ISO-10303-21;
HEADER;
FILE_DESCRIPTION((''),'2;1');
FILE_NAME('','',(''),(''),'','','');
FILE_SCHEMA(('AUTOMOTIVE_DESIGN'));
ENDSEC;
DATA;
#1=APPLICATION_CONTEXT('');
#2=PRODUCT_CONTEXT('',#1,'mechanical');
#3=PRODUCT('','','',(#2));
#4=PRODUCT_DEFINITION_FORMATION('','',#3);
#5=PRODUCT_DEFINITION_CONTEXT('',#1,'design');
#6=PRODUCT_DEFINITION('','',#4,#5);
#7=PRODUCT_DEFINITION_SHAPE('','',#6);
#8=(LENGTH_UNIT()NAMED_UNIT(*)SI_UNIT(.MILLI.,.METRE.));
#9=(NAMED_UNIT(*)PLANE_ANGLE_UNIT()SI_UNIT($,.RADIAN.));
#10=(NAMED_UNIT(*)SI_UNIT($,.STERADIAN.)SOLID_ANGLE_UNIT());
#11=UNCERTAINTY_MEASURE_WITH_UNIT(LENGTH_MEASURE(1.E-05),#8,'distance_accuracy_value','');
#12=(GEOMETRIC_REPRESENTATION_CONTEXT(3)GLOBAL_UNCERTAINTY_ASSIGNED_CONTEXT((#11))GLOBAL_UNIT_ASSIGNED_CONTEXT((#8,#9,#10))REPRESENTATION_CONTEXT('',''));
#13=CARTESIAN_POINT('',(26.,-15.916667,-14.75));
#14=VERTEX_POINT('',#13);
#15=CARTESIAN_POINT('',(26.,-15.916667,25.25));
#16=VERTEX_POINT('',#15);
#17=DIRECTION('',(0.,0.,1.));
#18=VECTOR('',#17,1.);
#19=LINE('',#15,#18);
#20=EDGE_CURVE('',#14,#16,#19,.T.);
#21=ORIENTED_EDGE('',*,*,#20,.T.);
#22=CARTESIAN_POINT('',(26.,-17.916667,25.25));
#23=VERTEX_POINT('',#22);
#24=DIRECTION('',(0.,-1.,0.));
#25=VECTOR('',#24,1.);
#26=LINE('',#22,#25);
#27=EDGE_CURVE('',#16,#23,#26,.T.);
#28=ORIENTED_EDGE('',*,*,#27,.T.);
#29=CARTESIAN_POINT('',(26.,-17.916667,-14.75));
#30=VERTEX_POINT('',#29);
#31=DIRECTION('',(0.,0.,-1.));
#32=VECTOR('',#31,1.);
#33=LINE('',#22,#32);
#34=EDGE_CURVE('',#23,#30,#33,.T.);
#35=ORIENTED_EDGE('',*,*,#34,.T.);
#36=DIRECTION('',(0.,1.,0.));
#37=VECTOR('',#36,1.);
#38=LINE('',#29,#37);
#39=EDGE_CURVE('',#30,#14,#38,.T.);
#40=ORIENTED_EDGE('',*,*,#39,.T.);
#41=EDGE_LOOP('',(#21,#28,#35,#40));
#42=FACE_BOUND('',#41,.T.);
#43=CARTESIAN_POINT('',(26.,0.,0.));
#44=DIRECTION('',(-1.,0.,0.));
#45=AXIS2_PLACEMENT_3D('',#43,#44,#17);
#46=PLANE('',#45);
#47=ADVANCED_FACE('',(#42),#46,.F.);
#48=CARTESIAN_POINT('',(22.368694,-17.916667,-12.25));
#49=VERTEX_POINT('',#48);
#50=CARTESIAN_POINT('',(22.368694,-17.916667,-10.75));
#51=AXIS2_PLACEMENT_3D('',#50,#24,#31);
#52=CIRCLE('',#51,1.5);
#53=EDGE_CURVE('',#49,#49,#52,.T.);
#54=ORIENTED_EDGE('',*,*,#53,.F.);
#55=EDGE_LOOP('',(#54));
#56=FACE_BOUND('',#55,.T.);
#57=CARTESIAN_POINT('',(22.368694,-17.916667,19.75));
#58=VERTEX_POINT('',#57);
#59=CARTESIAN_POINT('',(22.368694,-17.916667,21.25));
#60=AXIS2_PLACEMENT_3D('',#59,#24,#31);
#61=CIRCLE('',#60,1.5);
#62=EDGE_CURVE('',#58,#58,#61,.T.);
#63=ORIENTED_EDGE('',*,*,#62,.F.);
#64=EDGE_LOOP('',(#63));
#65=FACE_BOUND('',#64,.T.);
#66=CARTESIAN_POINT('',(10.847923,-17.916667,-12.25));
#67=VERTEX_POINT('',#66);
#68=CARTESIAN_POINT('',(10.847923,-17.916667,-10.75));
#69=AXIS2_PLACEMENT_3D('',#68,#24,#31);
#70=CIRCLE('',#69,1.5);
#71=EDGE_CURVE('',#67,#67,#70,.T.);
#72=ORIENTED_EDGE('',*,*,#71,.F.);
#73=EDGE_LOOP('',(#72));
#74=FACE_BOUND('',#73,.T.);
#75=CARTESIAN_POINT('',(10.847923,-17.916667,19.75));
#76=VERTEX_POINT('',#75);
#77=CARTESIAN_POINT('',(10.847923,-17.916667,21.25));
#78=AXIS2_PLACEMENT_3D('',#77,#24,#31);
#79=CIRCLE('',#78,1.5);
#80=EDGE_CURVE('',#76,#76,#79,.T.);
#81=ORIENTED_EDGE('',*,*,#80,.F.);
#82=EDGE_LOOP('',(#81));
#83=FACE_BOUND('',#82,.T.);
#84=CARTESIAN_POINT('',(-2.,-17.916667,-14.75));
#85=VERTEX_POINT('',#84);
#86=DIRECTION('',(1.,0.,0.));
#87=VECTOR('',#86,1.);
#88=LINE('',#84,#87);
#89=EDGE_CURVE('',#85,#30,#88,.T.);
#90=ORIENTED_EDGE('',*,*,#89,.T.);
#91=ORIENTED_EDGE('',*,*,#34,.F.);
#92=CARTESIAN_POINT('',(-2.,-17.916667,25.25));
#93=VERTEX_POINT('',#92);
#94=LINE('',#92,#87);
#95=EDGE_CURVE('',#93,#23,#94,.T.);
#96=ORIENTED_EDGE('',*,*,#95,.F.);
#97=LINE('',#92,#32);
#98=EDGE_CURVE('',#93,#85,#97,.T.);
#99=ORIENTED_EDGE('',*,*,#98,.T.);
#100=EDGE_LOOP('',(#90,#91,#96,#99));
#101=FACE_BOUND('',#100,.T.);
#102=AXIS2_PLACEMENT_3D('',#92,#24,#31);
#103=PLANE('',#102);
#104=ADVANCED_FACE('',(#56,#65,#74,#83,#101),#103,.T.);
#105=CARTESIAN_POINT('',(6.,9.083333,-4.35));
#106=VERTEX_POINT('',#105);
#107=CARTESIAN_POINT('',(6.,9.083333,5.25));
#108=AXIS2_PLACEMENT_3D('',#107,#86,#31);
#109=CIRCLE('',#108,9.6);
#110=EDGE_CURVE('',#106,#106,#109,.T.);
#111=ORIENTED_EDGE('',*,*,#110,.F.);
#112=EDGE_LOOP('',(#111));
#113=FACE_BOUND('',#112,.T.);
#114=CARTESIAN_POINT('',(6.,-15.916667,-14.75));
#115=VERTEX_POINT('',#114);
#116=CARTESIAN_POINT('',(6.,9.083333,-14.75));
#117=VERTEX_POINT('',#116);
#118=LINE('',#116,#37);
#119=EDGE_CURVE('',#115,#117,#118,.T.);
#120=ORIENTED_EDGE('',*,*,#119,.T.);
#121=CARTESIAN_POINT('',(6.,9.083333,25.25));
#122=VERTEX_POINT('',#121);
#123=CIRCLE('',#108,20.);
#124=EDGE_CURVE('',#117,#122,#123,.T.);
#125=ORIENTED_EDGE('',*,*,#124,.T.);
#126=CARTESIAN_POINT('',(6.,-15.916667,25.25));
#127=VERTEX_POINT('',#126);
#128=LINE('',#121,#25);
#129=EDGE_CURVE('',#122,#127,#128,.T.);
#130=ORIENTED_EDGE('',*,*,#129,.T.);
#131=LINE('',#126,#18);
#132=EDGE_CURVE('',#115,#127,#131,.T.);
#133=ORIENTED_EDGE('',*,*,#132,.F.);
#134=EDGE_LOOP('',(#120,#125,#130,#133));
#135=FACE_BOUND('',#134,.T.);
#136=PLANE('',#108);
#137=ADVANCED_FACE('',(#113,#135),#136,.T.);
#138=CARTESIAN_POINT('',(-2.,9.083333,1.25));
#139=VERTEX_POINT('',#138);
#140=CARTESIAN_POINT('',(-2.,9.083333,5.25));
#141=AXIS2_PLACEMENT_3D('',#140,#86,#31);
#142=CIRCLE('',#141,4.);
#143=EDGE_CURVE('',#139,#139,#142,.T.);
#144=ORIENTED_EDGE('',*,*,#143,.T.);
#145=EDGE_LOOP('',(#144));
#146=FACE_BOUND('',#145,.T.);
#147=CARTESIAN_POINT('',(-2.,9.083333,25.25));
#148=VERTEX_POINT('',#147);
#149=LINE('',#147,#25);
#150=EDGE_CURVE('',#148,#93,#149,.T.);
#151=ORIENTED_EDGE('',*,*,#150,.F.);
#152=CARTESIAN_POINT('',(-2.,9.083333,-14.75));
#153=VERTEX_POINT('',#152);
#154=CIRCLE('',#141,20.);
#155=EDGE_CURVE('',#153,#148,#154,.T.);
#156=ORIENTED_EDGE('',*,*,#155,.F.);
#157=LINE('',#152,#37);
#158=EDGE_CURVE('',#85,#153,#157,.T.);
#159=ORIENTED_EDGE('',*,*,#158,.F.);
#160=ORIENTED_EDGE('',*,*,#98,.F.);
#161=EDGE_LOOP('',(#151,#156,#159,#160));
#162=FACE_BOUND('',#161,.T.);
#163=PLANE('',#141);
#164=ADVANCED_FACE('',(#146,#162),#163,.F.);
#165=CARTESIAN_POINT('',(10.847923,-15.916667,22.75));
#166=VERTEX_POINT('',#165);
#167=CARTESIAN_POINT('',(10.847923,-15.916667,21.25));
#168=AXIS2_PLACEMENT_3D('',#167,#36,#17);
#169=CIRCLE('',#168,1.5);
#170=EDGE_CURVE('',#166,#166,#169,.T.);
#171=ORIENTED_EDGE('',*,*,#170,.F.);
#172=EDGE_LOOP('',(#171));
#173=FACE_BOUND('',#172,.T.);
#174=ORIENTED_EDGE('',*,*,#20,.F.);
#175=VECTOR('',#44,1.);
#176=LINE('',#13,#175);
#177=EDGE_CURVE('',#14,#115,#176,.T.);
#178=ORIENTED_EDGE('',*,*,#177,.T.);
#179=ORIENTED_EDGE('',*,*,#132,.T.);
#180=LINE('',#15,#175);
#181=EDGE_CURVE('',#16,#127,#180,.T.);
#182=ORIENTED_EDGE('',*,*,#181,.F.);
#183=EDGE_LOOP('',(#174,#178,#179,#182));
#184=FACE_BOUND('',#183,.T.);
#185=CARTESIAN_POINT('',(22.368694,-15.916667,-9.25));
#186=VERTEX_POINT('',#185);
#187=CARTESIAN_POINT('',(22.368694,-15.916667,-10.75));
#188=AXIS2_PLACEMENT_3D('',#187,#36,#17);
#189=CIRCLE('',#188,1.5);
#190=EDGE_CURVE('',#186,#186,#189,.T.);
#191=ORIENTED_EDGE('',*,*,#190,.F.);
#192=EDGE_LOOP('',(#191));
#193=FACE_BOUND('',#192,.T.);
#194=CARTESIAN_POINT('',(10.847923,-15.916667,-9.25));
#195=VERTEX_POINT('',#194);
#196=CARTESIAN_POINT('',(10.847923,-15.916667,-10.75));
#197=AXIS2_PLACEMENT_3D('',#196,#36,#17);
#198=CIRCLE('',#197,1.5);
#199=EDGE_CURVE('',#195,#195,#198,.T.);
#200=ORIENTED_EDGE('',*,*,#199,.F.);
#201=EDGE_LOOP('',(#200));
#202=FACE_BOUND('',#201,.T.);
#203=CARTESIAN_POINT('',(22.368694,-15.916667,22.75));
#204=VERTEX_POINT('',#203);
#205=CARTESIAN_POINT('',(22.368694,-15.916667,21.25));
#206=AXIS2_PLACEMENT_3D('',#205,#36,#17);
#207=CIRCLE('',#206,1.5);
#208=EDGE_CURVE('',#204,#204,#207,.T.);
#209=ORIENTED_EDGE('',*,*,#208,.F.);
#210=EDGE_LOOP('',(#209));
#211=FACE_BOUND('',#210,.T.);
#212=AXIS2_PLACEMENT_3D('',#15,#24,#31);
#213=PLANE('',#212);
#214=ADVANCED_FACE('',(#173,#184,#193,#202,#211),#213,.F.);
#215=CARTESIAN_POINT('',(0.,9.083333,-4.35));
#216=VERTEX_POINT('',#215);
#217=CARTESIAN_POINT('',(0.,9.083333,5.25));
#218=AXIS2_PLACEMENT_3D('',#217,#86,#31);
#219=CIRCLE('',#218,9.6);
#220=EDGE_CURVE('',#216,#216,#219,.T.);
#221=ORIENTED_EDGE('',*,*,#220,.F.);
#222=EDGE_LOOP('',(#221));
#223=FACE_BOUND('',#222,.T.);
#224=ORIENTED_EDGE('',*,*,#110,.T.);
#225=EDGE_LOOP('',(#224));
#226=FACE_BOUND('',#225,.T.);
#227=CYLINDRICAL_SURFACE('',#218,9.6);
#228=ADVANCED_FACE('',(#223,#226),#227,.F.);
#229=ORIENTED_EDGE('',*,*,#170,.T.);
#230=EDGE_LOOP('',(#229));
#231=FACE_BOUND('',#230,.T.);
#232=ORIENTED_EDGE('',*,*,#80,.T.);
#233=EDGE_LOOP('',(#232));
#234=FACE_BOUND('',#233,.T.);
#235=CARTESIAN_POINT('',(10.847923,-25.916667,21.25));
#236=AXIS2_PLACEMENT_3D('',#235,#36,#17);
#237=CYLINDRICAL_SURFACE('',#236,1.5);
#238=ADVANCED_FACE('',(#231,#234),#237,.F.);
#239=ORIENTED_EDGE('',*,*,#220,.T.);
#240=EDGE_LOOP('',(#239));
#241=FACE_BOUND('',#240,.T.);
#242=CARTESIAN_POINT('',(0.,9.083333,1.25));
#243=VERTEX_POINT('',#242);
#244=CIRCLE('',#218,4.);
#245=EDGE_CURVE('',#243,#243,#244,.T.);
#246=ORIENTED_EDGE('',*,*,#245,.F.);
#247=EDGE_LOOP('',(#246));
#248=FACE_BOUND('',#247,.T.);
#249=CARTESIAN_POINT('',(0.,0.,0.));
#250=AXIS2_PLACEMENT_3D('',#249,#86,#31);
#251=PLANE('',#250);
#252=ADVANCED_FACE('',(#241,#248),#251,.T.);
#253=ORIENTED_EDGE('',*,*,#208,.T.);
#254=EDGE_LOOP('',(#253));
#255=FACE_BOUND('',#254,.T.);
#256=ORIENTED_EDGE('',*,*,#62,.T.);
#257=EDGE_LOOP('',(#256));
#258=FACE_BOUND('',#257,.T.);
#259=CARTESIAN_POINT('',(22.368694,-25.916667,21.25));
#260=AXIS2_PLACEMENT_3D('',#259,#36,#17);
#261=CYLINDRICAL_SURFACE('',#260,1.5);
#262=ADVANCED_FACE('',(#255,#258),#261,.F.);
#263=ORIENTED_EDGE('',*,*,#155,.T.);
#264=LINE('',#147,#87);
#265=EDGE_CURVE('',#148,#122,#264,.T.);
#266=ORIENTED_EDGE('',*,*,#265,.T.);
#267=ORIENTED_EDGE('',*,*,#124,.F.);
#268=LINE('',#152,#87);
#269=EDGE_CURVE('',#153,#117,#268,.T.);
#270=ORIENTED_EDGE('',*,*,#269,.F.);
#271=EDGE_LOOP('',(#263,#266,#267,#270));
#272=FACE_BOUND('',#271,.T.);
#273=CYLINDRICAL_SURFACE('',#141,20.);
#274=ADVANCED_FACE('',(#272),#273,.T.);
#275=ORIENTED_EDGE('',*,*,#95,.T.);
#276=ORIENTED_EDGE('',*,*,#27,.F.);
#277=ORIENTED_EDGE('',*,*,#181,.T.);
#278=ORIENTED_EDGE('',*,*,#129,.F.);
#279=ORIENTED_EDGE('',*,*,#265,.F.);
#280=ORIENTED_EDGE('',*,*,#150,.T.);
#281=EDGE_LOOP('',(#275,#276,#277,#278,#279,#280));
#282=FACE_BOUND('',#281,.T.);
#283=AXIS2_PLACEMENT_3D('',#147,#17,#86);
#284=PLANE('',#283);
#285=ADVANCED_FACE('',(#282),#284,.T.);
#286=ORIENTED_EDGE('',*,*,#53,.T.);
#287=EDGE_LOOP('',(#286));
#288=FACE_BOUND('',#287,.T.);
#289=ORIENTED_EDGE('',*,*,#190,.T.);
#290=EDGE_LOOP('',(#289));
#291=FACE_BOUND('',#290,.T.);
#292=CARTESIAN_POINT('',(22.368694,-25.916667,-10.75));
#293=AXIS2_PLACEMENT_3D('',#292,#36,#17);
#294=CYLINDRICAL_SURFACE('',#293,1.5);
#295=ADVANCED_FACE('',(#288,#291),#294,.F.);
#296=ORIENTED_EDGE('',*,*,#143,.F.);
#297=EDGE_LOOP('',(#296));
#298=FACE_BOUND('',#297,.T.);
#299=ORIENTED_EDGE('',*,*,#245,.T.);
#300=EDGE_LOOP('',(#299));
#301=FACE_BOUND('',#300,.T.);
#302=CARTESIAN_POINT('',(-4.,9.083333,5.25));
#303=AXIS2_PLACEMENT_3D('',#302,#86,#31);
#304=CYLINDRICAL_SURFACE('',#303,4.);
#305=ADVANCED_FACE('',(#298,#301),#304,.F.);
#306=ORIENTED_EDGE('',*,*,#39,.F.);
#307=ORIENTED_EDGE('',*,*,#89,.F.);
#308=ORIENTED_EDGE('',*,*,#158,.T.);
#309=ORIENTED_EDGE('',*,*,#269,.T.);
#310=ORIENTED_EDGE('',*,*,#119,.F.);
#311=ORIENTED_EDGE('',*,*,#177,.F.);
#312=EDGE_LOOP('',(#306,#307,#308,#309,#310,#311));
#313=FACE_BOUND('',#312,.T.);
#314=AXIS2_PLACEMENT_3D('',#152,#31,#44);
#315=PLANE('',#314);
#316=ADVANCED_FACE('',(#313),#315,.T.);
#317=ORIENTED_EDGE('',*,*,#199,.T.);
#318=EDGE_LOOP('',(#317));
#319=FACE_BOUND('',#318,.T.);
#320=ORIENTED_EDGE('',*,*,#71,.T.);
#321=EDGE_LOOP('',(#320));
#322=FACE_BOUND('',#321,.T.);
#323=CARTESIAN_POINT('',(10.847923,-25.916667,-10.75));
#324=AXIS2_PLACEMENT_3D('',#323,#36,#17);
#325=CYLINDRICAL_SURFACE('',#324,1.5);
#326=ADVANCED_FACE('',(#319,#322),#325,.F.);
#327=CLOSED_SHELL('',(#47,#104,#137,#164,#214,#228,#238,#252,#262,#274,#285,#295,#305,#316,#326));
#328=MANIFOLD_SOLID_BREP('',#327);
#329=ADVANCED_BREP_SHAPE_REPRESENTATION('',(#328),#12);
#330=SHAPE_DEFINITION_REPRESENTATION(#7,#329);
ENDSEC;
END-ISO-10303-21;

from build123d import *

# Parameters (mm, degrees)
BOSS_EXTRUDE1_DEPTH      = 6
BOSS_EXTRUDE1_DEPTH_BACK = 2
CUT_EXTRUDE1_DEPTH       = 6
SKETCH3_R                = 4
CUT_EXTRUDE2_DEPTH       = 10
SKETCH4_W                = 40
SKETCH4_H                = 2
BOSS_EXTRUDE2_DEPTH      = 20
SKETCH5_R                = 1.5
CUT_EXTRUDE3_DEPTH       = 10


with BuildPart() as part:
    # Sketch1 → Boss-Extrude1 (new, two sides: drawn at the far end of the back side and taken through both)
    with BuildSketch(Plane(origin=(0, 0, 0), x_dir=(0, 0, -1), z_dir=(1, 0, 0)).offset(-BOSS_EXTRUDE1_DEPTH_BACK)):
        with BuildLine():
            Line((-25.25, 9.083333333), (-25.25, -17.916666667))
            Line((-25.25, -17.916666667), (14.75, -17.916666667))
            Line((14.75, -17.916666667), (14.75, 9.083333333))
            ThreePointArc((14.75, 9.083333333), (-5.25, 29.083333333), (-25.25, 9.083333333))
        make_face()
    extrude(amount=BOSS_EXTRUDE1_DEPTH + BOSS_EXTRUDE1_DEPTH_BACK)

    # Sketch2 → Cut-Extrude1 (cut)
    with BuildSketch(Plane(origin=(6, 0, 0), x_dir=(0, 0, -1), z_dir=(1, 0, 0))):
        with BuildLine():
            ThreePointArc((4.35, 9.083333333), (-5.25, 18.683333333), (-14.85, 9.083333333))
            Line((-14.85, 9.083333333), (4.35, 9.083333333))
        make_face()
        with BuildLine():
            Line((4.35, 9.083333333), (-14.85, 9.083333333))
            ThreePointArc((-14.85, 9.083333333), (-5.25, -0.516666667), (4.35, 9.083333333))
        make_face()
    extrude(amount=-CUT_EXTRUDE1_DEPTH, mode=Mode.SUBTRACT)

    # Sketch3 → Cut-Extrude2 (cut)
    with BuildSketch(Plane(origin=(6, 0, 0), x_dir=(0, 0, -1), z_dir=(1, 0, 0))):
        with Locations((-5.25, 9.083333333)):
            Circle(SKETCH3_R)
    extrude(amount=-CUT_EXTRUDE2_DEPTH, mode=Mode.SUBTRACT)

    # Sketch4 → Boss-Extrude2 (add)
    with BuildSketch(Plane(origin=(6, 0, 0), x_dir=(0, 0, -1), z_dir=(1, 0, 0))):
        with Locations((-5.25, -16.916666667)):
            Rectangle(SKETCH4_W, SKETCH4_H)
    extrude(amount=BOSS_EXTRUDE2_DEPTH)

    # Sketch5 → Cut-Extrude3 (cut)
    with BuildSketch(Plane(origin=(0, -15.916666667, 0), x_dir=(1, 0, 0), z_dir=(0, 1, 0))):
        with Locations(Location((10.84792286, 10.75, 0), (0, 0, 270))):
            Circle(SKETCH5_R)
        with Locations(Location((22.368694263, 10.75, 0), (0, 0, 270))):
            Circle(SKETCH5_R)
        with Locations(Location((10.84792286, -21.25, 0), (0, 0, 270))):
            Circle(SKETCH5_R)
        with Locations(Location((22.368694263, -21.25, 0), (0, 0, 270))):
            Circle(SKETCH5_R)
    extrude(amount=-CUT_EXTRUDE3_DEPTH, mode=Mode.SUBTRACT)


solid = part.part
